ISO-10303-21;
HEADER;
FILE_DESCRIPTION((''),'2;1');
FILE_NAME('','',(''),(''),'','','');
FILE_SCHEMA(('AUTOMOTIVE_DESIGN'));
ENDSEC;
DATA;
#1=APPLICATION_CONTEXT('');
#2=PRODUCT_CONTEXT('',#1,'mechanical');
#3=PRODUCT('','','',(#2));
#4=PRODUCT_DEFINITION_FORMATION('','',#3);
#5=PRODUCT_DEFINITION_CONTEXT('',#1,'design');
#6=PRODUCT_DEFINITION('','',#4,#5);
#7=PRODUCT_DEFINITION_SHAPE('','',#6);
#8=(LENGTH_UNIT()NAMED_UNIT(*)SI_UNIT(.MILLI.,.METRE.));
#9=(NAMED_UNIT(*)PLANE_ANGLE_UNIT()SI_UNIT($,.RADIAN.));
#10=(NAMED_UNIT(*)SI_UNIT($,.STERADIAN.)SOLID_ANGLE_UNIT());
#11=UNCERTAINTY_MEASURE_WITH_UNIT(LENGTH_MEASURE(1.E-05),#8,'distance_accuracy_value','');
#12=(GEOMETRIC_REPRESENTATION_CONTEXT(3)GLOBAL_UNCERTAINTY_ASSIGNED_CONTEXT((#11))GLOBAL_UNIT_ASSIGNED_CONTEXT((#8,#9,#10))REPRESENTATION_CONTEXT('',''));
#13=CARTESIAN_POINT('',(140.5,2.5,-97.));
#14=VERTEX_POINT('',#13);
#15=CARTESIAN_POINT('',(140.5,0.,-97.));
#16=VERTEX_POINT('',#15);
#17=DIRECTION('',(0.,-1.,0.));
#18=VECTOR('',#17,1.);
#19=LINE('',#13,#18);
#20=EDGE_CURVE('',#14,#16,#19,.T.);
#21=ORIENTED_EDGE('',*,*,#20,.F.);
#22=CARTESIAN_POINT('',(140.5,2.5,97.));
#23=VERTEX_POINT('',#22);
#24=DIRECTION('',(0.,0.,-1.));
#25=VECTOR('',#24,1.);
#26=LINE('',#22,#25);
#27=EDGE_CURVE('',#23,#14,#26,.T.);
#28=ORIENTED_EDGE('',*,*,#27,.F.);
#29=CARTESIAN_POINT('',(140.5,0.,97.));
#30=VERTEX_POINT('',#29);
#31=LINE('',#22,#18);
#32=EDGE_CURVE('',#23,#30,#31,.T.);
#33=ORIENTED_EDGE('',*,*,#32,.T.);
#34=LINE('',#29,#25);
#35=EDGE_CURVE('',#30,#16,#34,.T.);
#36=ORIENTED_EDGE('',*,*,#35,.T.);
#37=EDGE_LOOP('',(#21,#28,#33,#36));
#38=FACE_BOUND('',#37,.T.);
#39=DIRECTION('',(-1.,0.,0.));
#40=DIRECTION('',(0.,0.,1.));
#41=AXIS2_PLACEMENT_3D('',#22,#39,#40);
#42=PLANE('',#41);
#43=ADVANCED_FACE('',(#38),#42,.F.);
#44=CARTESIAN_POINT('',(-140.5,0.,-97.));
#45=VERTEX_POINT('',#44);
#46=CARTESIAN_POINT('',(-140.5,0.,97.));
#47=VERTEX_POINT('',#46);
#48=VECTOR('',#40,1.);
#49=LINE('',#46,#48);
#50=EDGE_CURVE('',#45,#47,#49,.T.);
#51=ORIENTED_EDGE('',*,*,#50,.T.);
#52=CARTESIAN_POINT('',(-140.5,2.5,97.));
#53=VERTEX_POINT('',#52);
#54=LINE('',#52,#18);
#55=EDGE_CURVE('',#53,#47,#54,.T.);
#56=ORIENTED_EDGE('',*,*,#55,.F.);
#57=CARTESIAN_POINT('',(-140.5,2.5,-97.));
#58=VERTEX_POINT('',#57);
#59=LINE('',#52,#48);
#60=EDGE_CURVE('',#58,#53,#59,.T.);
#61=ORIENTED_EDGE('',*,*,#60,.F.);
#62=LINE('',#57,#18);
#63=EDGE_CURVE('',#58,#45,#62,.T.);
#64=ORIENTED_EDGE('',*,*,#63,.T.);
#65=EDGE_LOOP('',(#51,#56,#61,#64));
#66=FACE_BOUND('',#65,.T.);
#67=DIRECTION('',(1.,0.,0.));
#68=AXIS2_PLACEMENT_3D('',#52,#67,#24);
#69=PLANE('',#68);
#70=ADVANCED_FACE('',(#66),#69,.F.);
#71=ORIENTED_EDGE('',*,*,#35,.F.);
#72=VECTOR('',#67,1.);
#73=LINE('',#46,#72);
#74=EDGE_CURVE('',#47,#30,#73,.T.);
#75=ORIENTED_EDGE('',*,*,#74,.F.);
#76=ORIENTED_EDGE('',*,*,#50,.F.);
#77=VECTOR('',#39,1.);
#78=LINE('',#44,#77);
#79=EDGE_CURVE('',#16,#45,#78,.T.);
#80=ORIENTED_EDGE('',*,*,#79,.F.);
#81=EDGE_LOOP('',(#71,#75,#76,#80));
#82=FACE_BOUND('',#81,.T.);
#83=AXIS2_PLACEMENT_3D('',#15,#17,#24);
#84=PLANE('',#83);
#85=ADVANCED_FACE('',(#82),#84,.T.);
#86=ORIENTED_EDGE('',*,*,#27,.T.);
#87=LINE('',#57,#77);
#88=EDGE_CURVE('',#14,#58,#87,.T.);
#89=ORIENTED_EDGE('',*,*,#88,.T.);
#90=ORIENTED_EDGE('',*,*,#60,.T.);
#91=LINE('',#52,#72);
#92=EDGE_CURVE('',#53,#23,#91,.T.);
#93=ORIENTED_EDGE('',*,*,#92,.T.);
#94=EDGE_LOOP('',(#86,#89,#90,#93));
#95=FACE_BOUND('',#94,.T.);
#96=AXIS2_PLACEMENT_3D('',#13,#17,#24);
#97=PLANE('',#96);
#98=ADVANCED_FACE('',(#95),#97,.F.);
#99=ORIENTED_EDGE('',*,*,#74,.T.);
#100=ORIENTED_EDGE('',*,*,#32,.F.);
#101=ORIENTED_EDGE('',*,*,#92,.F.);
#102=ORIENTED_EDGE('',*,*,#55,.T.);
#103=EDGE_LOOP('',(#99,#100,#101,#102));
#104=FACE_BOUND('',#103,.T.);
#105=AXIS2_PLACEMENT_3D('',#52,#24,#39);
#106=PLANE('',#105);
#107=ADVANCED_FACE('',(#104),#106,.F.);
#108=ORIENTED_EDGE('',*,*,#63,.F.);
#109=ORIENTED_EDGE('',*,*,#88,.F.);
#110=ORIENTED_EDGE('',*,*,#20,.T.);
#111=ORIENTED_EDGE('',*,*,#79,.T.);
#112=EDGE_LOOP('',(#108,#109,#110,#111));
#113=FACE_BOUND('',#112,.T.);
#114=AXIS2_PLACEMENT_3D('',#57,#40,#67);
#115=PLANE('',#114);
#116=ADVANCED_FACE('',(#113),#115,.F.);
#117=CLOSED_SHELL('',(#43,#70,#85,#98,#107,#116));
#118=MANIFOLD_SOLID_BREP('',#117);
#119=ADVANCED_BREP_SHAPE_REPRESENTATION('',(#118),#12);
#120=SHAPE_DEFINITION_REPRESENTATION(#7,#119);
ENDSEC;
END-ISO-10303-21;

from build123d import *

# Parameters (mm, degrees)
SKETCH1_W      = 281
SKETCH1_H      = 194
EXTRUDE1_DEPTH = 2.5


with BuildPart() as part:
    # Sketch1 → Extrude1 (new body)
    with BuildSketch(Plane(origin=(0, 0, 0), x_dir=(1, 0, 0), z_dir=(0, 1, 0))):
        Rectangle(SKETCH1_W, SKETCH1_H)
    extrude(amount=EXTRUDE1_DEPTH)


solid = part.part
